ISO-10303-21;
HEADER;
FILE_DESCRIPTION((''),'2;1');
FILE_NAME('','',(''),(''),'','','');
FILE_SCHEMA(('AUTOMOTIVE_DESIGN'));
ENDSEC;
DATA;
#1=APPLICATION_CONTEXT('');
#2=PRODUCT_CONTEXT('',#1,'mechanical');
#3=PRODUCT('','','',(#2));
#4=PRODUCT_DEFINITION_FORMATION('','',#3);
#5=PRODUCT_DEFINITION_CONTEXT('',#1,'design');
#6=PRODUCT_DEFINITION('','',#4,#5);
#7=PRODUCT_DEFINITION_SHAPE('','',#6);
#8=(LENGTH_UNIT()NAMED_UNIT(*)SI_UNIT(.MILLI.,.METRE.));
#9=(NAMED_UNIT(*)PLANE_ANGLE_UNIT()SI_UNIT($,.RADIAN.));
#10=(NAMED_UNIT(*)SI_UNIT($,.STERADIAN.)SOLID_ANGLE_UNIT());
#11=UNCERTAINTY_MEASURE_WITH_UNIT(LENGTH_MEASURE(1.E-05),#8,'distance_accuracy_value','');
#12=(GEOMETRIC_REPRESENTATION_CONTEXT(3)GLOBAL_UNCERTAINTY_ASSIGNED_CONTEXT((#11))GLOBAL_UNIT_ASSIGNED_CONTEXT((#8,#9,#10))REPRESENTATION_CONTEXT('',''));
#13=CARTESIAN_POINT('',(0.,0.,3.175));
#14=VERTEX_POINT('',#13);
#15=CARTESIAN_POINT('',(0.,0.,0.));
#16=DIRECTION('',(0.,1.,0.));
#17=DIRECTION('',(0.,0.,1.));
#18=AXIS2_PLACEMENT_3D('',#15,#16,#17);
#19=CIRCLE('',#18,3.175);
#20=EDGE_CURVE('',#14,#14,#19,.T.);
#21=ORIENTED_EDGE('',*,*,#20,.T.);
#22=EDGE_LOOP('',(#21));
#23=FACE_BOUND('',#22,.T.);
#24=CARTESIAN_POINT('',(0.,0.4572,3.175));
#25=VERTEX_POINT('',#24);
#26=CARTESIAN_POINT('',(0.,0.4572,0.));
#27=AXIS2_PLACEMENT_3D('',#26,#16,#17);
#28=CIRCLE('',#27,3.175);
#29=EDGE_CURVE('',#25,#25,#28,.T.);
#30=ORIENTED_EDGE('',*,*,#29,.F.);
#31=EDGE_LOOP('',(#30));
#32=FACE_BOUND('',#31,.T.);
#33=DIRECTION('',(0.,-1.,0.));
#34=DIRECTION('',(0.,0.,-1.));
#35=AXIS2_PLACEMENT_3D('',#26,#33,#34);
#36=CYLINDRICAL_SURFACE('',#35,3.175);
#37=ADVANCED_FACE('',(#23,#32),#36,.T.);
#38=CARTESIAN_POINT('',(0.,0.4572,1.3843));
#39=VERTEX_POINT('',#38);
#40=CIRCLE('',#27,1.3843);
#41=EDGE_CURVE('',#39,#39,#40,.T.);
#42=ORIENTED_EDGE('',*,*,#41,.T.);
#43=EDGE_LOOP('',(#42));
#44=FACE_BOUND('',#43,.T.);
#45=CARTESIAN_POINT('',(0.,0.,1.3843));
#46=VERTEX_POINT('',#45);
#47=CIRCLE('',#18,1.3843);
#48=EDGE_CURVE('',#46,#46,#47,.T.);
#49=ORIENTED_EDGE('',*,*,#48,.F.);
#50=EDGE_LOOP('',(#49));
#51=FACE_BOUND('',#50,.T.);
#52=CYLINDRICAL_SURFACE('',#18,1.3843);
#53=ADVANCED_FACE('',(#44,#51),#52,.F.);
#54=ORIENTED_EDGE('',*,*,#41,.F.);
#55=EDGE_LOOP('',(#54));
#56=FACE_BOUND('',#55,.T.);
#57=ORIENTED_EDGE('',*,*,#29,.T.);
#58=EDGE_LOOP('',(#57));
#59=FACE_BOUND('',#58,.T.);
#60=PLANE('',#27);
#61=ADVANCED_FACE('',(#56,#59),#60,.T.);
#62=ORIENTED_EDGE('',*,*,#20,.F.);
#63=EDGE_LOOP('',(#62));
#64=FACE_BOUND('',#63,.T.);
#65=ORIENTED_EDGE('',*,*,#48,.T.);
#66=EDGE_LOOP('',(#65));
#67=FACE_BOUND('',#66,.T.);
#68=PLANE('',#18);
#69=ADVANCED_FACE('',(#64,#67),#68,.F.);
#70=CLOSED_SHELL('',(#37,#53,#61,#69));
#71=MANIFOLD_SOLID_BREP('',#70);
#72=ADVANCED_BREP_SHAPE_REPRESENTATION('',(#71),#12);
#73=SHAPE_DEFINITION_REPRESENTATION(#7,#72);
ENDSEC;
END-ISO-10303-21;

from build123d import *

# Parameters (mm, degrees)
SKETCH1_R           = 3.175
BOSS_EXTRUDE1_DEPTH = 0.4572
SKETCH5_R           = 1.3843
CUT_EXTRUDE1_DEPTH  = 1.4572


with BuildPart() as part:
    # Sketch1 → Boss-Extrude1 (new body)
    with BuildSketch(Plane(origin=(0, 0, 0), x_dir=(1, 0, 0), z_dir=(0, 1, 0))):
        Circle(SKETCH1_R)
    extrude(amount=BOSS_EXTRUDE1_DEPTH)

    # Sketch5 → Cut-Extrude1 (cut, through all)
    with BuildSketch(Plane(origin=(0, 0.4572, 0), x_dir=(-1, 0, 0), z_dir=(0, 1, 0))):
        Circle(SKETCH5_R)
    extrude(amount=-CUT_EXTRUDE1_DEPTH, mode=Mode.SUBTRACT)


solid = part.part
